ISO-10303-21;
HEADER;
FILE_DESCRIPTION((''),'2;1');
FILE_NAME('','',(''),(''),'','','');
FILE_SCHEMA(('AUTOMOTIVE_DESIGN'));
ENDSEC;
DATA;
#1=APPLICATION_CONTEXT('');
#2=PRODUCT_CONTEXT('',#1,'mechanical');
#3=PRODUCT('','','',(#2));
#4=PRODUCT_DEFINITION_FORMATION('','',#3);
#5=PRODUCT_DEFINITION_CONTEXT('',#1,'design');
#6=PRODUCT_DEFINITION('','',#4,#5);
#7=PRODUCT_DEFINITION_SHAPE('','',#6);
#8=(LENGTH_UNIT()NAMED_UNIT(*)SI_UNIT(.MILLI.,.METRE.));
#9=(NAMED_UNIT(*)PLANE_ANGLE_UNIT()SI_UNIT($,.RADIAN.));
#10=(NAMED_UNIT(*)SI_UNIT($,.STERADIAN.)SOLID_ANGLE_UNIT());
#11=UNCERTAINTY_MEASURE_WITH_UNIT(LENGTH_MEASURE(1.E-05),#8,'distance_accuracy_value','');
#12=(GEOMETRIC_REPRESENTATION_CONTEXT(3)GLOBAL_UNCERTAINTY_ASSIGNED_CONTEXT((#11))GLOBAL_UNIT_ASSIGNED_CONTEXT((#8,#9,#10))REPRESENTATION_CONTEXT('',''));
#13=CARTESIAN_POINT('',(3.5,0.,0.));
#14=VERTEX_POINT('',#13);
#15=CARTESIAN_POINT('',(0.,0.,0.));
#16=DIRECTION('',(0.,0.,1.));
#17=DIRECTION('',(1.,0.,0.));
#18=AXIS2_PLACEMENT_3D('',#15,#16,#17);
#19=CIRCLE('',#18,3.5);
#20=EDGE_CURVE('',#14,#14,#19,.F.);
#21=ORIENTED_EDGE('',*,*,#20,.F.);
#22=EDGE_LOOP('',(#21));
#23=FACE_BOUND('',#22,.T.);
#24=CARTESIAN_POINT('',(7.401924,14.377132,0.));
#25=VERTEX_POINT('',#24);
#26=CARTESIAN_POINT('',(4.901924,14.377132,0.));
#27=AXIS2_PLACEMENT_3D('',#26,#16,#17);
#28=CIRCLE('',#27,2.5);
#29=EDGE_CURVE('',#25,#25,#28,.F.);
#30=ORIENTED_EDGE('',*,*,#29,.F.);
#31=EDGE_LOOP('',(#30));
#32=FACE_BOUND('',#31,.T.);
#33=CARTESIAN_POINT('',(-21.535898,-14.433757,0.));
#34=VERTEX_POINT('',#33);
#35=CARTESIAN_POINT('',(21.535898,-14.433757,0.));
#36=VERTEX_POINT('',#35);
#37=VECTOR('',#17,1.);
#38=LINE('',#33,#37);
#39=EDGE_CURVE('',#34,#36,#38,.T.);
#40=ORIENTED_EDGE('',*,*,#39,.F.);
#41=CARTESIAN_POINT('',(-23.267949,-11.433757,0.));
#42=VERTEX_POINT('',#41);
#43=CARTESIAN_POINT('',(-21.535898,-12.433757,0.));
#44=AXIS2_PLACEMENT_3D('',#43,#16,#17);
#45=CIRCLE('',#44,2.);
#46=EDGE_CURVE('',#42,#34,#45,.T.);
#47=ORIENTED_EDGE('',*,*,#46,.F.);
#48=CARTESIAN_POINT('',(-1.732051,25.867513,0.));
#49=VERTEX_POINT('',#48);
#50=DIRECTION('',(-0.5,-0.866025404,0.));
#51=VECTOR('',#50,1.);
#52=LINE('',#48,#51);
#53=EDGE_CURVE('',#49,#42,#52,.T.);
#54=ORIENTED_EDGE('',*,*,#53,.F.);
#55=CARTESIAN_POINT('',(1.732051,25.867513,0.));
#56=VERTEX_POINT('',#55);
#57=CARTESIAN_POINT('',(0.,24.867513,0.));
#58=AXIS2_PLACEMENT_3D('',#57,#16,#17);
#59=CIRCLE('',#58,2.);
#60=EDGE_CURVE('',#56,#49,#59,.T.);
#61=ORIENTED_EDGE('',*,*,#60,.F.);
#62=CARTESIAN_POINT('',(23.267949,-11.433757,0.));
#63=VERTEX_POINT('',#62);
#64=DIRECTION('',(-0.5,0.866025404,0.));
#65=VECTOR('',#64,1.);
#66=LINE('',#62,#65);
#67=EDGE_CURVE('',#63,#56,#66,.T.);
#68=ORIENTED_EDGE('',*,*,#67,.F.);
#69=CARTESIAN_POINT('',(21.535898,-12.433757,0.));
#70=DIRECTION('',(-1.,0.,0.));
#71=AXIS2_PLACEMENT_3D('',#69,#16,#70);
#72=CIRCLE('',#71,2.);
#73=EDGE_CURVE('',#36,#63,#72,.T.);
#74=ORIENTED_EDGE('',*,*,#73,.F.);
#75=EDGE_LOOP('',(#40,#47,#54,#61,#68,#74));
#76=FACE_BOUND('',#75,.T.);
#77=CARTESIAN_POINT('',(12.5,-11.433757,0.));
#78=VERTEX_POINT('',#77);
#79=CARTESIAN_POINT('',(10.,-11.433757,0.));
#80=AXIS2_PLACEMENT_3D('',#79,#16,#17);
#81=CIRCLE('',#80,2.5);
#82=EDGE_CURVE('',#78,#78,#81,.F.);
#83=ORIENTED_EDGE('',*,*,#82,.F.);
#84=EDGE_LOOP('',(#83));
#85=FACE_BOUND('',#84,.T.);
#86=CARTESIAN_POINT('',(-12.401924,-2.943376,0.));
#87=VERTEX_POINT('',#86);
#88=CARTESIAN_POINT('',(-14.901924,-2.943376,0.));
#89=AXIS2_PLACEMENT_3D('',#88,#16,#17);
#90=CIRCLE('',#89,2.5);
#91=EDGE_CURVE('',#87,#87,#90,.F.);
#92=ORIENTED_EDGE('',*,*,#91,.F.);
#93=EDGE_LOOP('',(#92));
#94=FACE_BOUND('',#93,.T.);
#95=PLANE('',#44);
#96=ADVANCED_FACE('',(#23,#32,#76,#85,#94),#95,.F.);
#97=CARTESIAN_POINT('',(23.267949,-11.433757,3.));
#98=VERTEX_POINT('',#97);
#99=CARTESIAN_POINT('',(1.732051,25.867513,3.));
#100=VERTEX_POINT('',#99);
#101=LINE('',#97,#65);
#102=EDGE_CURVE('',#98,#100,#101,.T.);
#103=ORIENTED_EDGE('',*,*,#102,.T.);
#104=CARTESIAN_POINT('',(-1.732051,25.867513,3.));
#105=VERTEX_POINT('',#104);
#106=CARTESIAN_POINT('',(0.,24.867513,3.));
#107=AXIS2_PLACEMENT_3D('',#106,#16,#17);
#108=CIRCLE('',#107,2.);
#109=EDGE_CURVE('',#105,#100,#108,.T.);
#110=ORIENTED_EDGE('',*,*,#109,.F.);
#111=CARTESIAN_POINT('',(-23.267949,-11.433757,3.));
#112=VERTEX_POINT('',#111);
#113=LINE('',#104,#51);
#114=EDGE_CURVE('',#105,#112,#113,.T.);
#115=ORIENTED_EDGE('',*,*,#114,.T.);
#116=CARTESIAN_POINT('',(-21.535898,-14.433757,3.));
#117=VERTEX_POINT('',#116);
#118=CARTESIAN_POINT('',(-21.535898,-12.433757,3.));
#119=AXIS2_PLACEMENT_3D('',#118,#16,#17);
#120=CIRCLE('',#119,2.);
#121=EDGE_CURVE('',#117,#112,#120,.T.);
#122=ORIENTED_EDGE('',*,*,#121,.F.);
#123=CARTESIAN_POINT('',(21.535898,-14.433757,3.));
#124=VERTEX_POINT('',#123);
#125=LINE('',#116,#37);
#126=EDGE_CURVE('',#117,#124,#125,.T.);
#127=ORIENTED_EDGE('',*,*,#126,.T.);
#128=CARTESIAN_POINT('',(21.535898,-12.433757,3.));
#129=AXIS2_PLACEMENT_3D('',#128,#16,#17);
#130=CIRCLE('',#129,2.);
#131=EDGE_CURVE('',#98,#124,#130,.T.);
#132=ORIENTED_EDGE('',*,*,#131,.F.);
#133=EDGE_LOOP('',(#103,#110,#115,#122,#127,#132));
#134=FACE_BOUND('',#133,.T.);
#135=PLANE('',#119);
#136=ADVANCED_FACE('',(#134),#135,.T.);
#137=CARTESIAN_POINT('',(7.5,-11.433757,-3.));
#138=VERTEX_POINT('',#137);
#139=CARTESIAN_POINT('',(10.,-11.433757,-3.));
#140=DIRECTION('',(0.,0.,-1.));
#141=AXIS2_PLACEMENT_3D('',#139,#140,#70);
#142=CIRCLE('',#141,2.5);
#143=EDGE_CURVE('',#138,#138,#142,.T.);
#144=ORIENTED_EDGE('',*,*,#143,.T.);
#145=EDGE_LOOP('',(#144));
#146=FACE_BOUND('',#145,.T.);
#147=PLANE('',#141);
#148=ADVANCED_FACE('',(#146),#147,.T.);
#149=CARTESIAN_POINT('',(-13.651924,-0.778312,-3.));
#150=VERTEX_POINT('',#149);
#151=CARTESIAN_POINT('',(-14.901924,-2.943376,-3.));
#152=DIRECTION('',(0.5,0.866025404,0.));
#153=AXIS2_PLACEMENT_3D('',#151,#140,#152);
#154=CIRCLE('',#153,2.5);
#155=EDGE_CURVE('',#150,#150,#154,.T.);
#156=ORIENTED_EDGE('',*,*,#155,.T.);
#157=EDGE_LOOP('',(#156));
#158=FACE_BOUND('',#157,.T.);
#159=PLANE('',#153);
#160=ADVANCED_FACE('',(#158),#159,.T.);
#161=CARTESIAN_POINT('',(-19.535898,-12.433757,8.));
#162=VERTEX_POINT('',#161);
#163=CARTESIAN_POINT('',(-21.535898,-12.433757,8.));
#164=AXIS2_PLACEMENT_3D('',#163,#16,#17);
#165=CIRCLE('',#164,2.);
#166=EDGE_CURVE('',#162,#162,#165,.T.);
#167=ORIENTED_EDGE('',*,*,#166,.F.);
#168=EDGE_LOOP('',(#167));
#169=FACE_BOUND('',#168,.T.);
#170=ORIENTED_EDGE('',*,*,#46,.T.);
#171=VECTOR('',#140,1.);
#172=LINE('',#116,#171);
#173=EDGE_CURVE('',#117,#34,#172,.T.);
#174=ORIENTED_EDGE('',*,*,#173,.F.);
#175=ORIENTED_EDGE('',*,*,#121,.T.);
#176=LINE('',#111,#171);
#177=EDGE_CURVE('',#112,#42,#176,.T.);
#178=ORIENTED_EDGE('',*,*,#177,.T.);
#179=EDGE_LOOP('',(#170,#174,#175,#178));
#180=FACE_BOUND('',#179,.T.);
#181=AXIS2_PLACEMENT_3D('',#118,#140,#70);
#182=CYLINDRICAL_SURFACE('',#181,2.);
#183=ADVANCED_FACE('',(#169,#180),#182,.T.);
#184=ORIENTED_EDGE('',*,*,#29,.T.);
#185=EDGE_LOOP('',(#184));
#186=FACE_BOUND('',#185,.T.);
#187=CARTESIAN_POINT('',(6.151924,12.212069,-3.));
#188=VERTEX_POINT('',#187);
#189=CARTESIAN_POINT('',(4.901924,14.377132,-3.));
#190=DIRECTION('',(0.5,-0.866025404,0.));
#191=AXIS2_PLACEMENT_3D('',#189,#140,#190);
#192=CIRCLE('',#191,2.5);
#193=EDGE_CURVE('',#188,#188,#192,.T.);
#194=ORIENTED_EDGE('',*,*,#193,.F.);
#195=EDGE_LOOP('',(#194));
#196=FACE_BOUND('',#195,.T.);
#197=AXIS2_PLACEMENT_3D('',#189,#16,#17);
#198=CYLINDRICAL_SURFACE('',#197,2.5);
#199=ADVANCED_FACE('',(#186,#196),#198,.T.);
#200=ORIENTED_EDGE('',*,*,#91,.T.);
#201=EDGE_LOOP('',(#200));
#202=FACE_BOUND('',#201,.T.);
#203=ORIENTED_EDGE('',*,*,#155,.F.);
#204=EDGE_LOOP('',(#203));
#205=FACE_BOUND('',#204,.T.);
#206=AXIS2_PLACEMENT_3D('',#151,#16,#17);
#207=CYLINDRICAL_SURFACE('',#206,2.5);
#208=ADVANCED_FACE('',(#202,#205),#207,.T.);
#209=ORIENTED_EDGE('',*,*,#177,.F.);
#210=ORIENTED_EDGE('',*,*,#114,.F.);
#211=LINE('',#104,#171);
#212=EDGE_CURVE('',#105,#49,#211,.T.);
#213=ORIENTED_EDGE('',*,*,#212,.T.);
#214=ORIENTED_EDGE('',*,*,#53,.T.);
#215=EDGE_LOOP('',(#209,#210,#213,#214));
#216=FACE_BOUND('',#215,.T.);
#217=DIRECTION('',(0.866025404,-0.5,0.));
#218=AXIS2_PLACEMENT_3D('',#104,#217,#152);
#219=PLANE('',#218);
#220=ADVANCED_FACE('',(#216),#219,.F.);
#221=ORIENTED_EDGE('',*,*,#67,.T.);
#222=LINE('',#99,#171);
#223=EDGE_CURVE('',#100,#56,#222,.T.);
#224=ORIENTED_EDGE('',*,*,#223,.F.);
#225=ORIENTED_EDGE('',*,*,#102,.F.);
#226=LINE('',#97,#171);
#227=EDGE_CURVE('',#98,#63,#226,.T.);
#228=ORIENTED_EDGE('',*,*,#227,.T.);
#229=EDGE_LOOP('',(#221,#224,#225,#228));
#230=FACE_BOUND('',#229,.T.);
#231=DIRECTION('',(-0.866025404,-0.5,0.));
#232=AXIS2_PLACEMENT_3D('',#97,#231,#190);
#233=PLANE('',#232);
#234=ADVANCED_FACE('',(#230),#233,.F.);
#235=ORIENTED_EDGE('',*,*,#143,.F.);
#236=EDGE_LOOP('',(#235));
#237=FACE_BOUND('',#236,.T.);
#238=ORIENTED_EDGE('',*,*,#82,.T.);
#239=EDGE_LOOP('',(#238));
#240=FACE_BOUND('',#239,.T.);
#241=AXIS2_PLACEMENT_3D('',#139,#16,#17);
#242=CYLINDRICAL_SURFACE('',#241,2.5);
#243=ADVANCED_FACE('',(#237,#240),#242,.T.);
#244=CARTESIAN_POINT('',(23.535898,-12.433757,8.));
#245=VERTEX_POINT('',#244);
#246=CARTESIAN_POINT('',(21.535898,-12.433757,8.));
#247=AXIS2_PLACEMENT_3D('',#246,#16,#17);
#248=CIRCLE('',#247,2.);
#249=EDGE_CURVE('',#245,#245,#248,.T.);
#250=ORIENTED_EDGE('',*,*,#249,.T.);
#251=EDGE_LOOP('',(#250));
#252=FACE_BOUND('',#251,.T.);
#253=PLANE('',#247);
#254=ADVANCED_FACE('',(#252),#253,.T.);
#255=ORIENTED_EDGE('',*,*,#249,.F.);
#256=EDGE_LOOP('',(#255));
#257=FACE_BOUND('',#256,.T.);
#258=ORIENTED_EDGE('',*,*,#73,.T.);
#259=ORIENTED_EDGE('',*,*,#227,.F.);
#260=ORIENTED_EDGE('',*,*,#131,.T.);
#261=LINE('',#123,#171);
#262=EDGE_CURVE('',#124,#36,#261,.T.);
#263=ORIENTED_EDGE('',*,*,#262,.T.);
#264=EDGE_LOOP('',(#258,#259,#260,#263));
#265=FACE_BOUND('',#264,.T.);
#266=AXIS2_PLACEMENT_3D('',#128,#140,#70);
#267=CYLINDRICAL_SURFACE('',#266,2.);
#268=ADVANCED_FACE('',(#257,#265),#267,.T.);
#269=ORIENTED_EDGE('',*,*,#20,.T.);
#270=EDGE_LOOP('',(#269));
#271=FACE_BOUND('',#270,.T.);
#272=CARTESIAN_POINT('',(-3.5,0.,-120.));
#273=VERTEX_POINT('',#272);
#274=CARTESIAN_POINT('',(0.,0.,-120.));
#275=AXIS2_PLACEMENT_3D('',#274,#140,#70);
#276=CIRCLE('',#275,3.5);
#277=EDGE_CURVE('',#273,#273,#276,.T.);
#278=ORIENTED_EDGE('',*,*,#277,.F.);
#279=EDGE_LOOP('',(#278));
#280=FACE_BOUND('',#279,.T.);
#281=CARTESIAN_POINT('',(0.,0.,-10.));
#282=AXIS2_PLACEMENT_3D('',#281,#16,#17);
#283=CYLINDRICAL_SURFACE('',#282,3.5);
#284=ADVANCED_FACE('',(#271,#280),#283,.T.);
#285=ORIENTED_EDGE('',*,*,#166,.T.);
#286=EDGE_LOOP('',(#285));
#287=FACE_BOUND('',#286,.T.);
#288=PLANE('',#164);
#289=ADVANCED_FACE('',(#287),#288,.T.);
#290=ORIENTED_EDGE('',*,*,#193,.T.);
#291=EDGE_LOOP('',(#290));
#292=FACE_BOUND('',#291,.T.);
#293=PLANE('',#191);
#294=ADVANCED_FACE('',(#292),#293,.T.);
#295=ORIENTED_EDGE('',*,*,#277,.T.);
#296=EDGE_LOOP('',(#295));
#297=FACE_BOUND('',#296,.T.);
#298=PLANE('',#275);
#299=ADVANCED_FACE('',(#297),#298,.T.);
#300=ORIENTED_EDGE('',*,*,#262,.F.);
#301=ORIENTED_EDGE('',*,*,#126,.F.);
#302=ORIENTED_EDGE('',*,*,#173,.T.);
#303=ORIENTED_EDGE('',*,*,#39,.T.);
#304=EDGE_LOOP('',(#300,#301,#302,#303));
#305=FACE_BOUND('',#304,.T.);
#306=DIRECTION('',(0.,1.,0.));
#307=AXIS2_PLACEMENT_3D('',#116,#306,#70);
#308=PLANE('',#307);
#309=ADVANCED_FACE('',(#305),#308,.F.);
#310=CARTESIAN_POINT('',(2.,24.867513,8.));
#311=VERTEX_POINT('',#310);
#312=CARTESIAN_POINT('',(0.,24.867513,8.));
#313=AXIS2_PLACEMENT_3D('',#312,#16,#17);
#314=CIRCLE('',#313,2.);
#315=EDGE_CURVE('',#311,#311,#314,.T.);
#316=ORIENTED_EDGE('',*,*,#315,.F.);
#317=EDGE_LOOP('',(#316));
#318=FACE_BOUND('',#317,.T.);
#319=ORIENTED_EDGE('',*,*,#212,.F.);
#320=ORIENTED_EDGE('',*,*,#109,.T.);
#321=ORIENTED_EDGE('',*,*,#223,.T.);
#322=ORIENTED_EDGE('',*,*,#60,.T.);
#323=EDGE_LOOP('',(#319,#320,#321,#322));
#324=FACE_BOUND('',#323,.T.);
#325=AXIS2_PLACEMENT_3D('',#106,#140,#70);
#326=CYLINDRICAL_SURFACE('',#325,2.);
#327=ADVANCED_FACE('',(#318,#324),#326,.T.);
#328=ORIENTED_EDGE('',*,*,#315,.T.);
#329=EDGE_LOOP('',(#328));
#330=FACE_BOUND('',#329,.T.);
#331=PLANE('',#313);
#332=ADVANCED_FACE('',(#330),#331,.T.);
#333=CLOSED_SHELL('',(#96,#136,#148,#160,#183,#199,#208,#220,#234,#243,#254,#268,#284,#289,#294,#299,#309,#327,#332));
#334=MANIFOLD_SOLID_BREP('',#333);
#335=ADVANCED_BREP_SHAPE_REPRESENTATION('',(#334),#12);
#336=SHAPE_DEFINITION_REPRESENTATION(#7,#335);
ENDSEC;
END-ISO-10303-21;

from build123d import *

# Parameters (mm, degrees)
BOSS_EXTRUDE1_DEPTH = 3
SKETCH2_R           = 3.5
BOSS_EXTRUDE2_DEPTH = 10
SKETCH3_R           = 2
BOSS_EXTRUDE3_DEPTH = 5
SKETCH4_R           = 2.5
BOSS_EXTRUDE4_DEPTH = 3
CIRPATTERN1_COUNT   = 3
SKETCH5_R           = 3.5
BOSS_EXTRUDE6_DEPTH = 110


with BuildPart() as part:
    # Sketch1 → Boss-Extrude1 (new body)
    with BuildSketch(Plane.XY):
        with BuildLine():
            Line((23.267949192, -11.43375673), (1.732050808, 25.867513459))
            ThreePointArc((1.732050808, 25.867513459), (0, 26.867513459), (-1.732050808, 25.867513459))
            Line((-1.732050808, 25.867513459), (-23.267949192, -11.43375673))
            ThreePointArc((-23.267949192, -11.43375673), (-23.267949192, -13.43375673), (-21.535898385, -14.43375673))
            Line((-21.535898385, -14.43375673), (21.535898385, -14.43375673))
            ThreePointArc((21.535898385, -14.43375673), (23.267949192, -13.43375673), (23.267949192, -11.43375673))
        make_face()
    extrude(amount=BOSS_EXTRUDE1_DEPTH)

    # Sketch2 → Boss-Extrude2 (add)
    with BuildSketch(Plane(origin=(0, 0, 0), x_dir=(-1, 0, 0), z_dir=(0, 0, -1))):
        with Locations(Location((0, 0, 0), (0, 0, 180))):
            Circle(SKETCH2_R)
    extrude(amount=BOSS_EXTRUDE2_DEPTH)

    # Sketch3 → Boss-Extrude3 (add)
    with BuildSketch(Plane.XY.offset(3)):
        with Locations(Location((0, 24.867513459, 0), (0, 0, 150))):
            Circle(SKETCH3_R)
        with Locations(Location((21.535898385, -12.43375673, 0), (0, 0, 270))):
            Circle(SKETCH3_R)
        with Locations(Location((-21.535898385, -12.43375673, 0), (0, 0, 150))):
            Circle(SKETCH3_R)
    extrude(amount=BOSS_EXTRUDE3_DEPTH)

    # Sketch4 → Boss-Extrude4 (add)
    with BuildSketch(Plane(origin=(0, 0, 0), x_dir=(-1, 0, 0), z_dir=(0, 0, -1))):
        with Locations(Location((-10, -11.43375673, 0), (0, 0, 180))):
            Circle(SKETCH4_R)
    boss_extrude4 = extrude(amount=BOSS_EXTRUDE4_DEPTH)

    # CirPattern1: Boss-Extrude4 ×3 about axis
    cirpattern1_axis = Axis((0, 0, 0), (0, 0, 1))
    for i in range(1, CIRPATTERN1_COUNT):
        add(boss_extrude4.rotate(cirpattern1_axis, i * 360 / CIRPATTERN1_COUNT))

    # Sketch5 → Boss-Extrude6 (add)
    with BuildSketch(Plane(origin=(0, 0, -10), x_dir=(-1, 0, 0), z_dir=(0, 0, -1))):
        with Locations(Location((0, 0, 0), (0, 0, 180))):
            Circle(SKETCH5_R)
    extrude(amount=BOSS_EXTRUDE6_DEPTH)


solid = part.part
